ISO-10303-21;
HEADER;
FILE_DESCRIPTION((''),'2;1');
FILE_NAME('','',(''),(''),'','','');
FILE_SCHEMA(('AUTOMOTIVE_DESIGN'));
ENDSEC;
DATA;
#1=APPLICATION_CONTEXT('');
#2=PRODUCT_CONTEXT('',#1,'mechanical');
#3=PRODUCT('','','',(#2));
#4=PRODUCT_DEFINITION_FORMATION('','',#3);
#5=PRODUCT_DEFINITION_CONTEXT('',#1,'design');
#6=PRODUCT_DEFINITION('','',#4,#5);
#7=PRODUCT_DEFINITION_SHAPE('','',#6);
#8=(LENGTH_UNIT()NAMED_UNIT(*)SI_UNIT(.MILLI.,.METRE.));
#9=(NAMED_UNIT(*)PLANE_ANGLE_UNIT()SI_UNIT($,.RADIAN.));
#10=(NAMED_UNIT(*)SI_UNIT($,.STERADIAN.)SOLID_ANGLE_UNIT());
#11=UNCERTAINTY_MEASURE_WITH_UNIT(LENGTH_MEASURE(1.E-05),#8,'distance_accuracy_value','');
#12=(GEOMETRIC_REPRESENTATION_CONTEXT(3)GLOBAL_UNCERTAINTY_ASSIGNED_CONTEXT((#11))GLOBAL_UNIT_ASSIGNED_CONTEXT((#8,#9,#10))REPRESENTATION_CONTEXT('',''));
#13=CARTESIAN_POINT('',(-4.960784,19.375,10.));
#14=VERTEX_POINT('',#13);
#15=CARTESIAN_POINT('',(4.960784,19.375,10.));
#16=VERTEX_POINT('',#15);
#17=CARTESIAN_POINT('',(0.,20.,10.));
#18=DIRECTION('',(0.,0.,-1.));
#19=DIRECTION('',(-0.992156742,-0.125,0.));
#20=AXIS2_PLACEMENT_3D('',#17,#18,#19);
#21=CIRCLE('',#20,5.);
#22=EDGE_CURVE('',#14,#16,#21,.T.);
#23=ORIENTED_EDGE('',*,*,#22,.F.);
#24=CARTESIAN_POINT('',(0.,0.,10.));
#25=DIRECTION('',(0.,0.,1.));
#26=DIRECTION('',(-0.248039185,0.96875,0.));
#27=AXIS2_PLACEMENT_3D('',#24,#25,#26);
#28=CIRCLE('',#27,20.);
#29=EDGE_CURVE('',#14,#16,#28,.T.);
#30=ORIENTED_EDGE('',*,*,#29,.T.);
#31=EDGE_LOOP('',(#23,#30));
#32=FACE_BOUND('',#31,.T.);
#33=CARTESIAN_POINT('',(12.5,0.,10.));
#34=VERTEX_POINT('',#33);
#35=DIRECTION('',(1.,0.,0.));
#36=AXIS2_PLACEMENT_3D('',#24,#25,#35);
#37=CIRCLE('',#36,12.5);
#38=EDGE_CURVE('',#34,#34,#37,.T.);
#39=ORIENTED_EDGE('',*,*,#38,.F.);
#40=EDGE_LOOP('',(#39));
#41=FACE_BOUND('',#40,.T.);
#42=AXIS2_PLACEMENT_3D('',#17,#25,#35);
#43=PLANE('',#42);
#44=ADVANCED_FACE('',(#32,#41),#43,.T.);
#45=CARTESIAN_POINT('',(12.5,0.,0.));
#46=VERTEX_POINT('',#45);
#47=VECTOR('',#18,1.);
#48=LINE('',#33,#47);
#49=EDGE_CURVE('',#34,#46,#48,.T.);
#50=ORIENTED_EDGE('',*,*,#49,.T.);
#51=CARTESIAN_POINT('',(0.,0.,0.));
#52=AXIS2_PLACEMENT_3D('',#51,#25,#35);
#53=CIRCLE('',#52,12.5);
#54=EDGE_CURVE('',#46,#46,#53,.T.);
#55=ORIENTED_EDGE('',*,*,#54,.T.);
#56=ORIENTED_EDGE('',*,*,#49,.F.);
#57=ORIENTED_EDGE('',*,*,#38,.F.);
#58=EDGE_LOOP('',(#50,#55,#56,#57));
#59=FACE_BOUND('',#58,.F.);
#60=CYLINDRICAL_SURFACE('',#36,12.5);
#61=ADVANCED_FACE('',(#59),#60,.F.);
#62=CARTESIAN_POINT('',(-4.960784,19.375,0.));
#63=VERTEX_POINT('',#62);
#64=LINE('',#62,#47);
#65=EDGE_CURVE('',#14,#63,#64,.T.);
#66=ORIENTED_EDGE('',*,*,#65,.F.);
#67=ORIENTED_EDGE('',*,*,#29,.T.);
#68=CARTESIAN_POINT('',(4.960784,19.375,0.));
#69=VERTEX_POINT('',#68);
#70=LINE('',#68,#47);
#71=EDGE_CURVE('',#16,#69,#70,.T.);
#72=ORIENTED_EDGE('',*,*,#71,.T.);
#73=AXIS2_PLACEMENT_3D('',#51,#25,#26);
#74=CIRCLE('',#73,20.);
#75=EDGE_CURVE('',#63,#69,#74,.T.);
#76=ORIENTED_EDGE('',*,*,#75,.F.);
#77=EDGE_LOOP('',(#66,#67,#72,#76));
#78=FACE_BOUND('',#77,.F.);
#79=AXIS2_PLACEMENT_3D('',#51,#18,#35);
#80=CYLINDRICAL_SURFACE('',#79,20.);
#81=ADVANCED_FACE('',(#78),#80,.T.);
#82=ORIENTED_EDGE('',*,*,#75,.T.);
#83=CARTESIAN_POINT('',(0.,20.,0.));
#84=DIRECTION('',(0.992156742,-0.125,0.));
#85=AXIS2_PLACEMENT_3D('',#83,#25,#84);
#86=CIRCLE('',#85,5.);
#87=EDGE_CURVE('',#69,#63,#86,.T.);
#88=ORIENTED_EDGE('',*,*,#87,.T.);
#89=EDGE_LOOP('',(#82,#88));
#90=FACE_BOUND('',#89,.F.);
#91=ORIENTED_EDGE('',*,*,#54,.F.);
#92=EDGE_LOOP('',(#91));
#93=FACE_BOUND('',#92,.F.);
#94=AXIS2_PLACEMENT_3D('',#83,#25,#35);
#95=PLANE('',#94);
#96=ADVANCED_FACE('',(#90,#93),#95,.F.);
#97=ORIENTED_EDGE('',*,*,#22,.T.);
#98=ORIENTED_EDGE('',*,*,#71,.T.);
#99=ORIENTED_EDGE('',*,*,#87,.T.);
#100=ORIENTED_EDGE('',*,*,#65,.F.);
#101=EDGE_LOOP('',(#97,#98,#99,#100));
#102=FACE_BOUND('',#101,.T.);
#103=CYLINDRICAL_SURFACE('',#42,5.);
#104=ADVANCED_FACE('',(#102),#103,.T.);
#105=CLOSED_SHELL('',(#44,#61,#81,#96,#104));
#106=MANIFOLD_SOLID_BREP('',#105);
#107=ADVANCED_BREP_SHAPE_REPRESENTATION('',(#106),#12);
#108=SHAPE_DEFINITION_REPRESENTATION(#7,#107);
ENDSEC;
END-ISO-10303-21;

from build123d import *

# Parameters (mm, degrees)
F0_R     = 20
F1_DEPTH = 10
F2_R     = 12.5
F3_DEPTH = 10
F4_R     = 5
F5_DEPTH = 10


with BuildPart() as f1:
    # F0 (on Top) → F1 (new body)
    with BuildSketch(Plane.XY):
        Circle(F0_R)
    extrude(amount=F1_DEPTH)

    # F2 (on face) → F3 (cut)
    with BuildSketch(Plane.XY.offset(10)):
        Circle(F2_R)
    extrude(amount=-F3_DEPTH, mode=Mode.SUBTRACT)

    # F4 (on face) → F5 (join, through all)
    with BuildSketch(Plane.XY.offset(10)):
        with Locations((0, 20)):
            Circle(F4_R)
    extrude(amount=-F5_DEPTH)


solid = f1.part
